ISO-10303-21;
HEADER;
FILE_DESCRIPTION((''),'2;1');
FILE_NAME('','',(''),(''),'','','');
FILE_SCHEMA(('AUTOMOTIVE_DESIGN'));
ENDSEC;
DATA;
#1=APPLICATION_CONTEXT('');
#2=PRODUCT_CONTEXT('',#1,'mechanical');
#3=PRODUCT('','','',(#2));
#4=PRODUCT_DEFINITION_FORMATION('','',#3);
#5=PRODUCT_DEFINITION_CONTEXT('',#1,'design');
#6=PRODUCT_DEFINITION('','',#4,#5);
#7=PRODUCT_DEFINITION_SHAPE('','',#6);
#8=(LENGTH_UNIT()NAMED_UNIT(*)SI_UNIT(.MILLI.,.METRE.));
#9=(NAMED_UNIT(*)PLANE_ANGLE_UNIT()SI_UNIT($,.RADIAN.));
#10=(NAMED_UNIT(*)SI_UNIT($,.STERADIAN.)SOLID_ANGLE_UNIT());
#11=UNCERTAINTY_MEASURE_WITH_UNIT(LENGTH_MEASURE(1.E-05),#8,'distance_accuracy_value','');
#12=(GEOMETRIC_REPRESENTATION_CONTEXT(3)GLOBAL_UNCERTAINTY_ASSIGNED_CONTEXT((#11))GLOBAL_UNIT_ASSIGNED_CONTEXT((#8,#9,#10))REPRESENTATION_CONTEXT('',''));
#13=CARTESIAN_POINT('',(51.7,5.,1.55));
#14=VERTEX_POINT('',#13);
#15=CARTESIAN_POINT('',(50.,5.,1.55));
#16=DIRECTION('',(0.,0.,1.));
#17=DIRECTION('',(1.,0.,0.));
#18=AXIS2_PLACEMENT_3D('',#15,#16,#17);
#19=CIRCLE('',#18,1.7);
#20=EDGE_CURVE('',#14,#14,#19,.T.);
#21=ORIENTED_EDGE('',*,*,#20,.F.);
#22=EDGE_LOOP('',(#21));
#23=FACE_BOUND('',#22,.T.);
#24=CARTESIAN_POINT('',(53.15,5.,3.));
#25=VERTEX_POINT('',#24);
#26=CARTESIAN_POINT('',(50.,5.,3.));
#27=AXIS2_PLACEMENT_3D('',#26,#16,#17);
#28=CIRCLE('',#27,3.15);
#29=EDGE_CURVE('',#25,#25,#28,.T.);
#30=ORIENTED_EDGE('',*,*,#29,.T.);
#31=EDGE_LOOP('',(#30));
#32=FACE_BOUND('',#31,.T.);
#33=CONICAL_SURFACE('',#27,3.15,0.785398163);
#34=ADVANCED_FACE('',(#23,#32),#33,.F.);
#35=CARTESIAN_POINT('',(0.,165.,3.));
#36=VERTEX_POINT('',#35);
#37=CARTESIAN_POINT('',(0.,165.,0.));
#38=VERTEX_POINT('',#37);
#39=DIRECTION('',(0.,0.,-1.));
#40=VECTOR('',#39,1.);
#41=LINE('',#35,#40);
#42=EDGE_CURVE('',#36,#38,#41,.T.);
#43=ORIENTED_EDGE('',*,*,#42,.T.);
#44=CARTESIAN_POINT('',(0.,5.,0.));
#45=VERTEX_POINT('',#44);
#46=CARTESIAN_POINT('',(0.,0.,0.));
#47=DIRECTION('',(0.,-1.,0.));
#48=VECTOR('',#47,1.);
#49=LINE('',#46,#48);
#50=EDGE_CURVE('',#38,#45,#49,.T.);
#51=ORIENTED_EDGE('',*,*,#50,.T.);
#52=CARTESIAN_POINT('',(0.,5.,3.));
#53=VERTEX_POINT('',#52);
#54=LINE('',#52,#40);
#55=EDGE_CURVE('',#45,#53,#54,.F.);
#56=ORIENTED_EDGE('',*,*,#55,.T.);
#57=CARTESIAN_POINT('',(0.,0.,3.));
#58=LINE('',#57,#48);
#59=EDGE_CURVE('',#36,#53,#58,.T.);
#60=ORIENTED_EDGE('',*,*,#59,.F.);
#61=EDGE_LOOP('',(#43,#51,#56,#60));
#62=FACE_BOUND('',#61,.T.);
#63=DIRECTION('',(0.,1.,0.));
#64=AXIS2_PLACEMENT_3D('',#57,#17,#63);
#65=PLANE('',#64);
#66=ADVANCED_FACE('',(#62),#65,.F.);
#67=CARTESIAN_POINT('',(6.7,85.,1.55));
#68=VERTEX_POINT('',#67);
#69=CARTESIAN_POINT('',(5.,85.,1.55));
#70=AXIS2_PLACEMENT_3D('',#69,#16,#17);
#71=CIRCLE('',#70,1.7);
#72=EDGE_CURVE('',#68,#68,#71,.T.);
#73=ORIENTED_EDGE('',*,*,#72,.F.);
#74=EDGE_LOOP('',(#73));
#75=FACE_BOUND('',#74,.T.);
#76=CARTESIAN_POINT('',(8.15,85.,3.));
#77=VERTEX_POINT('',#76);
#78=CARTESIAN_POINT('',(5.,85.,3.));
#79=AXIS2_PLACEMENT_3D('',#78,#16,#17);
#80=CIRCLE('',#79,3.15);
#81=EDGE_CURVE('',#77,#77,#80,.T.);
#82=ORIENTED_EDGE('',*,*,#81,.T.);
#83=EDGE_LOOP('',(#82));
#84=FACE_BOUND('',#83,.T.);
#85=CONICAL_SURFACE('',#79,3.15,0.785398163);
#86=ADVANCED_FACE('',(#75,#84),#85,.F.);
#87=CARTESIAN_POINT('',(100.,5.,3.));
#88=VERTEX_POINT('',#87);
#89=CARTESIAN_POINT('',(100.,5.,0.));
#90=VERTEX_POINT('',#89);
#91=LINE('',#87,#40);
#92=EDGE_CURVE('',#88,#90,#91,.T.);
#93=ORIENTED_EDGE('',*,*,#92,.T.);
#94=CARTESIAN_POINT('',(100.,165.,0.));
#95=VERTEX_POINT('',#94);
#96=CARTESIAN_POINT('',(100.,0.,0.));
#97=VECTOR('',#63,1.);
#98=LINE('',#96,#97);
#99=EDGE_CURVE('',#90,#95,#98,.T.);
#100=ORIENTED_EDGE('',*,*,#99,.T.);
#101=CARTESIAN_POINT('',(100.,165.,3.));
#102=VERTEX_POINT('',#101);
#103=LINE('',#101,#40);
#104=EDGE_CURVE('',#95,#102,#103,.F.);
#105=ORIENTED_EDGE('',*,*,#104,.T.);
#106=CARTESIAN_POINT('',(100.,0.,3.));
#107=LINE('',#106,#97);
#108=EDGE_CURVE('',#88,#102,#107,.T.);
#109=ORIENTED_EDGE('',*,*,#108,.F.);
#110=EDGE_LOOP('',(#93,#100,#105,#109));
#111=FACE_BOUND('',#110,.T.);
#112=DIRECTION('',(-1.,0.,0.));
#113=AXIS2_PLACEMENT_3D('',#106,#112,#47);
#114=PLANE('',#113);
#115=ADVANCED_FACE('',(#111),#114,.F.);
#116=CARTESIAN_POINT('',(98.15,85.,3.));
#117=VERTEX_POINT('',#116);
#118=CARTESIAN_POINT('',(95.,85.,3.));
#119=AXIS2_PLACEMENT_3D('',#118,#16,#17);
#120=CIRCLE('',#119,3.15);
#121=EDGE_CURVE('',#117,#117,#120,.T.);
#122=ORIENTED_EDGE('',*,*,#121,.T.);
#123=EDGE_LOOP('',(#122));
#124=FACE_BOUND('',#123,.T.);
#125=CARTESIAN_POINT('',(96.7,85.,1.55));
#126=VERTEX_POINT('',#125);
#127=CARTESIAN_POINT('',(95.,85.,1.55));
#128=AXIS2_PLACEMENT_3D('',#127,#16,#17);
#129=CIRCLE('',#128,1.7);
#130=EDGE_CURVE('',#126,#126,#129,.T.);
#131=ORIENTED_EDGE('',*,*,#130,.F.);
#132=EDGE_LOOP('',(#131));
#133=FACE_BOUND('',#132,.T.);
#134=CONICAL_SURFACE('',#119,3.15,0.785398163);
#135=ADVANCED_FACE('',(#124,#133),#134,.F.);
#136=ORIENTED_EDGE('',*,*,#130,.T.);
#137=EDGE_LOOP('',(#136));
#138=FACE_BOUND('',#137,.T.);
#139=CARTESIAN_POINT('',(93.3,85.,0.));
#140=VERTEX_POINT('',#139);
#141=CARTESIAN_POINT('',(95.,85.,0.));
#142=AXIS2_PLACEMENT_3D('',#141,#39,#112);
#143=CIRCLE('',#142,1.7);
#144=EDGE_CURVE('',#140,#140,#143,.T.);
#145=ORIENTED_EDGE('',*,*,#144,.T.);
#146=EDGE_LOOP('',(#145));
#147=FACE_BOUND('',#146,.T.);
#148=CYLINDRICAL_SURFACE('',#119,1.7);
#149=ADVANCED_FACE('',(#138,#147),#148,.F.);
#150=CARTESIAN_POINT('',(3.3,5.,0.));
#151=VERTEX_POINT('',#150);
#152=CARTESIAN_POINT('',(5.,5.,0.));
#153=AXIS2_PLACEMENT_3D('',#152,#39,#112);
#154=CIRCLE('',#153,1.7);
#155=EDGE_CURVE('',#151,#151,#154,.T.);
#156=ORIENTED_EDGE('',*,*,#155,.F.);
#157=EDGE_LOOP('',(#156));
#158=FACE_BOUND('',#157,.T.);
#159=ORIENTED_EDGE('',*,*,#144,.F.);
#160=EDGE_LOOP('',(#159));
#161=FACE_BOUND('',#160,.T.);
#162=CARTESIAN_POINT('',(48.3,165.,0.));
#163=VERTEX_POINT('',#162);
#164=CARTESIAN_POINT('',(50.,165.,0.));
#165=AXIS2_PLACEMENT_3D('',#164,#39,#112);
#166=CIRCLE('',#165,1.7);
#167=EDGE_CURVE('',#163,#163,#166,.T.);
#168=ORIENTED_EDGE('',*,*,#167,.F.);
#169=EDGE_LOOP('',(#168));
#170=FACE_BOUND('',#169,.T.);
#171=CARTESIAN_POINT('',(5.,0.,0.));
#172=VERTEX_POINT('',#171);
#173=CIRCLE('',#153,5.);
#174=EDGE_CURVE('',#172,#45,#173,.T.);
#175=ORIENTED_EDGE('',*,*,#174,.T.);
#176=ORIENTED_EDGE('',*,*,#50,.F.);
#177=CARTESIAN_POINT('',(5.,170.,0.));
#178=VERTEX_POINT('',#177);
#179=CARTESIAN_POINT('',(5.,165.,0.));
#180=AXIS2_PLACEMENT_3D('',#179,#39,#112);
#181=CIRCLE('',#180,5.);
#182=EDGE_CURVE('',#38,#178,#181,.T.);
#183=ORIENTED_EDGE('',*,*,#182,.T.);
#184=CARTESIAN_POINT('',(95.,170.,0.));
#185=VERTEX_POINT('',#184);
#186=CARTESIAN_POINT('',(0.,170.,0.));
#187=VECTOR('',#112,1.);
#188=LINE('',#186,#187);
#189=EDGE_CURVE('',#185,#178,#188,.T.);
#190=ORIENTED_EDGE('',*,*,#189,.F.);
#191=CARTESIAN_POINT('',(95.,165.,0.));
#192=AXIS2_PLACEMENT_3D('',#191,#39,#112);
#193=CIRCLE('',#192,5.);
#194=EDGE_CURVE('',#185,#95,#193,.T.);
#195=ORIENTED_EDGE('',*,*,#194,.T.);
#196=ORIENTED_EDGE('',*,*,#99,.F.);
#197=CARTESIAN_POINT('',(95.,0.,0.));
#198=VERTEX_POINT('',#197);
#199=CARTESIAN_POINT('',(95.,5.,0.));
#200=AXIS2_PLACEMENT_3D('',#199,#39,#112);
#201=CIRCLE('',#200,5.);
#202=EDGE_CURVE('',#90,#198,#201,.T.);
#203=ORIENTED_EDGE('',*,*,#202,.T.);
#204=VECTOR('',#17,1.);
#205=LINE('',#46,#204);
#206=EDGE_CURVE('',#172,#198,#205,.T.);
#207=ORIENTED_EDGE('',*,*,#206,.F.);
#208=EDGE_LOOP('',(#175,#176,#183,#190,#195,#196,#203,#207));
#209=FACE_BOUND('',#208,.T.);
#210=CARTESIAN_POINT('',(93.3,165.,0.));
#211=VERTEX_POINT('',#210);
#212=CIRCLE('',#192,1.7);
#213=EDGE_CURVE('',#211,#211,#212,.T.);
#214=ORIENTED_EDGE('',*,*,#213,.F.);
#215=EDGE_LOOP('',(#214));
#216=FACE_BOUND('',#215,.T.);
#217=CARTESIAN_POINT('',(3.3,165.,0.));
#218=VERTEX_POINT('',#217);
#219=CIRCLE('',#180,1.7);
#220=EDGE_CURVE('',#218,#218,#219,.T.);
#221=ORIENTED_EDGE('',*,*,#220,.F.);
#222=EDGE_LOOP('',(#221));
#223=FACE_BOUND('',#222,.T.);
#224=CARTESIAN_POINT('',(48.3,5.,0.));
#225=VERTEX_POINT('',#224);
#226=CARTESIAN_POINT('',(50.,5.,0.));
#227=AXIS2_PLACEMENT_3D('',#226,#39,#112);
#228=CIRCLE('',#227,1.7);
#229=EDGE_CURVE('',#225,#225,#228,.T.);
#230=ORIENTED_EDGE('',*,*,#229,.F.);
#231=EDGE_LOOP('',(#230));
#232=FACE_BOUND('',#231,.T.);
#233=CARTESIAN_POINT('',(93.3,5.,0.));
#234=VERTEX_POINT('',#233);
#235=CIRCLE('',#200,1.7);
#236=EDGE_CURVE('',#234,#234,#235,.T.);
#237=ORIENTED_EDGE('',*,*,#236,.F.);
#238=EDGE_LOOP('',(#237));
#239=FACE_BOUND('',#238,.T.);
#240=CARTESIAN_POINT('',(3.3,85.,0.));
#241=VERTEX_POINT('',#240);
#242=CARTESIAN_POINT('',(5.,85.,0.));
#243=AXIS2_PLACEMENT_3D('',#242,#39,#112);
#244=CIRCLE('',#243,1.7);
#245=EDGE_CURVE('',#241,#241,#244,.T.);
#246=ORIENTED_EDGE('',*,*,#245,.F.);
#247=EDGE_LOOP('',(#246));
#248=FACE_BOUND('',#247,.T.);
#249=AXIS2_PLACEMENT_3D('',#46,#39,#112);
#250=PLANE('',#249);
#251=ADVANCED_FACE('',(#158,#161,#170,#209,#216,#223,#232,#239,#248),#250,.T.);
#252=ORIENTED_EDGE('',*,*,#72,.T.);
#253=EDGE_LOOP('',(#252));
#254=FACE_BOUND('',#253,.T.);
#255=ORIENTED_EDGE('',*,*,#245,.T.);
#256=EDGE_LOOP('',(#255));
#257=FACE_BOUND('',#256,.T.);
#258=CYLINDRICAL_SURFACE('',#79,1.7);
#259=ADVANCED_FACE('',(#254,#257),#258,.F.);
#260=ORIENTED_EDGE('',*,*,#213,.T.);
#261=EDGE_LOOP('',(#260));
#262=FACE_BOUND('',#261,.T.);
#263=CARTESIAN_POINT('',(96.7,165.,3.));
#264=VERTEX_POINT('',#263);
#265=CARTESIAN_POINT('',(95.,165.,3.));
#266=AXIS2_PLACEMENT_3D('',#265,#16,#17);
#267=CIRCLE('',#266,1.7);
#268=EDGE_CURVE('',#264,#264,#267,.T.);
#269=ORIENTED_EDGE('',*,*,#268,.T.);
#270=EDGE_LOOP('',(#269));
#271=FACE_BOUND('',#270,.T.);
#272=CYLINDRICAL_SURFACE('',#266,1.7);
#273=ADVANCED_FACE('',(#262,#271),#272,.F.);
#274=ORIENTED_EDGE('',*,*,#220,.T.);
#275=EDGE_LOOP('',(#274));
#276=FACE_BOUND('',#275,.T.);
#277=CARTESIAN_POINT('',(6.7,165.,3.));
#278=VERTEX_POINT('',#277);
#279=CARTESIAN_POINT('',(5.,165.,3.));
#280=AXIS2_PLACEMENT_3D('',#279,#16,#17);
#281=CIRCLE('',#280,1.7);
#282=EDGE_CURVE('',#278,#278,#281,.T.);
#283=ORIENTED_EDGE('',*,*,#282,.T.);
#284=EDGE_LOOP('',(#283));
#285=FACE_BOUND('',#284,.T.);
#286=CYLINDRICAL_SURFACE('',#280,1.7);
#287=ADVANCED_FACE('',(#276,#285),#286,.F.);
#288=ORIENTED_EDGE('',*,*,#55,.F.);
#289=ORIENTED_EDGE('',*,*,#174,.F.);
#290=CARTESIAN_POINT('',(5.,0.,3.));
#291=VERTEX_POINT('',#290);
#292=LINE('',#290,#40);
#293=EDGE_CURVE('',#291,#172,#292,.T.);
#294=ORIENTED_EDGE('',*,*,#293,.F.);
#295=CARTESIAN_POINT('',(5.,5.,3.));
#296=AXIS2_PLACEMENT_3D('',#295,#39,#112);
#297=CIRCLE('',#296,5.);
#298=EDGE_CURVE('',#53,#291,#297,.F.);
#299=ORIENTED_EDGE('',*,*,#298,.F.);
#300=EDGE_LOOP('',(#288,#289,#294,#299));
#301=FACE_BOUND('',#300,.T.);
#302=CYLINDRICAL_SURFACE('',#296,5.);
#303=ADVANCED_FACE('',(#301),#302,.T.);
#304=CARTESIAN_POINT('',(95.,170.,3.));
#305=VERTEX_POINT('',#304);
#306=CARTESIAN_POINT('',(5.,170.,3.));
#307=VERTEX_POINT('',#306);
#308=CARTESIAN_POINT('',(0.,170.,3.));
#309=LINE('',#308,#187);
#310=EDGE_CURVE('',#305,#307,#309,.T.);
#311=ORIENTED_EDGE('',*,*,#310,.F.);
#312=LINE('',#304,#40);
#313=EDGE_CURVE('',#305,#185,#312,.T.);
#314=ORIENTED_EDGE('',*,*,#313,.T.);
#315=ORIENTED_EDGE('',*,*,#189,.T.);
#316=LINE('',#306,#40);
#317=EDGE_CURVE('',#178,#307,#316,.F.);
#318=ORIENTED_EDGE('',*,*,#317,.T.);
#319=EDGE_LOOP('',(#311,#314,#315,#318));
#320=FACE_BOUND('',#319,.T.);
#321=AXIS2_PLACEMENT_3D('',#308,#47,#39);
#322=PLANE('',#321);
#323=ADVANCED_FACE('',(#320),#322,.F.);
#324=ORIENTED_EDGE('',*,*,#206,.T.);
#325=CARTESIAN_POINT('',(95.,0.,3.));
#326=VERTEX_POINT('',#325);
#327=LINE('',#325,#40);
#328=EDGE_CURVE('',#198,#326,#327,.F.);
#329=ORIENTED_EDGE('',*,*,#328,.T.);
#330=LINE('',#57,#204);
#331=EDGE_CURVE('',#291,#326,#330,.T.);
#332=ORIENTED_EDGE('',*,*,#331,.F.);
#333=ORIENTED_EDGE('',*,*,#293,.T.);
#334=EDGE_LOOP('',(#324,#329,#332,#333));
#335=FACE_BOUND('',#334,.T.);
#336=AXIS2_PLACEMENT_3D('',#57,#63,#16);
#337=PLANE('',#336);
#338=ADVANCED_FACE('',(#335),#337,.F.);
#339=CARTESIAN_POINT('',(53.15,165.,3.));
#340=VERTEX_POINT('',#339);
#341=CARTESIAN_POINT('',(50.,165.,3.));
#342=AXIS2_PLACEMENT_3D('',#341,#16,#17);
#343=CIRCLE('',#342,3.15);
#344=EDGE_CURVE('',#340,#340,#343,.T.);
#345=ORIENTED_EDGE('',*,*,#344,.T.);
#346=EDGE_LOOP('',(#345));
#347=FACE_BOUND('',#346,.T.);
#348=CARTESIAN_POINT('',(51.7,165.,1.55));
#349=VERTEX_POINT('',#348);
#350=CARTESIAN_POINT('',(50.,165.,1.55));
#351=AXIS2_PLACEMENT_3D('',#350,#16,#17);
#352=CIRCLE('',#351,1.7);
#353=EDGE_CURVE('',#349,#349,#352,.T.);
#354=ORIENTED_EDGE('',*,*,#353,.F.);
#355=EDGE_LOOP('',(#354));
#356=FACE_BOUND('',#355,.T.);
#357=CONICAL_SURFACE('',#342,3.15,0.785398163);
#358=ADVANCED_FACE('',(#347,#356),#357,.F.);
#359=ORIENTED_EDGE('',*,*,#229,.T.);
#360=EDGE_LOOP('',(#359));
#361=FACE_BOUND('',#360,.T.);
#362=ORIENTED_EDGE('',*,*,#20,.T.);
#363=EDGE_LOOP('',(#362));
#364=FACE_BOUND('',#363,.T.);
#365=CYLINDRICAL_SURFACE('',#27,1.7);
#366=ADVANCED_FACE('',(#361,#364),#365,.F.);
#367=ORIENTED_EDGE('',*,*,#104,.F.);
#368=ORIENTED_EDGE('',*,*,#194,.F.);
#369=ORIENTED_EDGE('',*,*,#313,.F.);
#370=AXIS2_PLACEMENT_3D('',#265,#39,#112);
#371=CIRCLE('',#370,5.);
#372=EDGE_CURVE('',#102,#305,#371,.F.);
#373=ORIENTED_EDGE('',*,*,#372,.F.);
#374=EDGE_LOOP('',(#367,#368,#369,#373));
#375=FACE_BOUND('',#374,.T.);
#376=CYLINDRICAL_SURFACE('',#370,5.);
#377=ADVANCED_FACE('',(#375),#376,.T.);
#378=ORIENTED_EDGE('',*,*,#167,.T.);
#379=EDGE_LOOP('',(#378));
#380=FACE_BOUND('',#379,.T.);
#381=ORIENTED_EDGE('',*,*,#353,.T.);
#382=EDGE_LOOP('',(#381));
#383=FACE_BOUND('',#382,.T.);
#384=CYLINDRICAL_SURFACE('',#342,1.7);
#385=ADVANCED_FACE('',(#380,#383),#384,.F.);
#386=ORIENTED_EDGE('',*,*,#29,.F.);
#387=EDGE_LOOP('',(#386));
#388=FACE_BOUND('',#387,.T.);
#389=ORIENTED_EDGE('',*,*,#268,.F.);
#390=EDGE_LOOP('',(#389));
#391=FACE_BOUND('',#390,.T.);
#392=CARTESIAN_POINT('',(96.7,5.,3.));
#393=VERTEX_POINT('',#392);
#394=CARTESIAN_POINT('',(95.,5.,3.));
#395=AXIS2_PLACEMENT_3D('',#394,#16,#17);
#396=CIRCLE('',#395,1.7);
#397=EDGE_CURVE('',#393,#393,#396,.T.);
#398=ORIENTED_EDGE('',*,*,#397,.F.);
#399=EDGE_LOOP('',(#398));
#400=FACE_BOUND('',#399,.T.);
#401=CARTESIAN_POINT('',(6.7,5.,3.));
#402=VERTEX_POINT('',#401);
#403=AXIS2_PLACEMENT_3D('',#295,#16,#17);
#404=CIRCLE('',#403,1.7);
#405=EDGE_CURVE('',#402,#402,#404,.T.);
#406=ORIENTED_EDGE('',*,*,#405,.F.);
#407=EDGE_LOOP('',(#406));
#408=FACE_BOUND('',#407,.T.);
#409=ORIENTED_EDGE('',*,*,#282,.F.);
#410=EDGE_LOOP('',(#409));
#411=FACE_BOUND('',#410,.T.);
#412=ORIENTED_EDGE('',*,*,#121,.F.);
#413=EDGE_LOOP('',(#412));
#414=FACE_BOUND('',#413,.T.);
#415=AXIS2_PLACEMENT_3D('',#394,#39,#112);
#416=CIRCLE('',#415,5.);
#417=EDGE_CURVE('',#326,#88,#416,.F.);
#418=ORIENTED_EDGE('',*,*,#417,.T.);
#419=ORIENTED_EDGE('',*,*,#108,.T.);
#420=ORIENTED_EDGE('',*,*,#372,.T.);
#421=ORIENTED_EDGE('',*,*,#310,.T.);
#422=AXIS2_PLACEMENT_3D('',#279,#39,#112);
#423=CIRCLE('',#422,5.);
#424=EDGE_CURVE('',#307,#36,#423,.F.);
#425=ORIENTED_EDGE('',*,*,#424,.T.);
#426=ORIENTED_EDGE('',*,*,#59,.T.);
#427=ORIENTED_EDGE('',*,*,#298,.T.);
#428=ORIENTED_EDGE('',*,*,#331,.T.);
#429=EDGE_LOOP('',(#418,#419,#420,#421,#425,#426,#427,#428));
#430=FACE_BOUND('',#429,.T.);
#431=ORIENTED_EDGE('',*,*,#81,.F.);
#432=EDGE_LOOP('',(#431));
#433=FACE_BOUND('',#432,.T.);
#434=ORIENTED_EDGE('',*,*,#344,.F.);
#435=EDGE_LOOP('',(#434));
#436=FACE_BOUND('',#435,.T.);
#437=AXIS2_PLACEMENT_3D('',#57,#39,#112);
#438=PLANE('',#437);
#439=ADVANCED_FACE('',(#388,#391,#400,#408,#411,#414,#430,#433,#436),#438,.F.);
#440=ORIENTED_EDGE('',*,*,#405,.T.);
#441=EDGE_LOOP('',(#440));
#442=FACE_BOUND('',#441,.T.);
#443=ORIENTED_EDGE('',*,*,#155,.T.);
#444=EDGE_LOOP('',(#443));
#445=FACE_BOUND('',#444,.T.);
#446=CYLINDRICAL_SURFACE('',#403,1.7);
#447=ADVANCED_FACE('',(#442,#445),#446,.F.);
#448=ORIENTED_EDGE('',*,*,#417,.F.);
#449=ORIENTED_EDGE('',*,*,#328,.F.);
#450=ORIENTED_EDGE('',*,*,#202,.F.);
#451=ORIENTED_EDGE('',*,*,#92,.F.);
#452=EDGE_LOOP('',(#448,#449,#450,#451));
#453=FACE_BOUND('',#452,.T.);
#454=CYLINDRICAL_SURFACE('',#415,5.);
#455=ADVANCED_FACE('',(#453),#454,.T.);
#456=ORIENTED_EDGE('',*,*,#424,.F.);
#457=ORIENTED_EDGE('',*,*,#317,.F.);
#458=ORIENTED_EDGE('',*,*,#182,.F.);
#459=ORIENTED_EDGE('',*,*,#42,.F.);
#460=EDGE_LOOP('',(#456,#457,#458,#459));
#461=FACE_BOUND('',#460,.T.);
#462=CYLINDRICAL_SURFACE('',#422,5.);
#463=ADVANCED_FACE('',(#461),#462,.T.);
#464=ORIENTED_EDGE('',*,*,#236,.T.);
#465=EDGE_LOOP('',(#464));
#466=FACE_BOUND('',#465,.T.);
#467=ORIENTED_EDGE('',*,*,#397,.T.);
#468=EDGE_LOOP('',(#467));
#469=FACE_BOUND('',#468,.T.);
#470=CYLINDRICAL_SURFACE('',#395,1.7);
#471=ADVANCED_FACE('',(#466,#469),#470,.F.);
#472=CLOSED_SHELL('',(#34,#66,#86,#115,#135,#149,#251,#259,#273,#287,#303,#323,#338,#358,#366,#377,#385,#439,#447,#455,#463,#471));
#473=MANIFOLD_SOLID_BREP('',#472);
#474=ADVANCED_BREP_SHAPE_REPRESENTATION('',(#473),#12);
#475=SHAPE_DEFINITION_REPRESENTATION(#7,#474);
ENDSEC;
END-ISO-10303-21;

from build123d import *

# Parameters (mm, degrees)
SKETCH1_W                                       = 100
SKETCH1_H                                       = 170
BOSS_EXTRUDE1_DEPTH                             = 3
M3_CLEARANCE_HOLE1_D                            = 3.4
M3_CLEARANCE_HOLE1_DEPTH                        = 7.5
M3_CLEARANCE_HOLE1_TIP                          = 1.021463052
FILLET1_R                                       = 5
CSK_FOR_M3_FLAT_HEAD_MACHINE_SCREW1_D           = 3.4
CSK_FOR_M3_FLAT_HEAD_MACHINE_SCREW1_DEPTH       = 7.5
CSK_FOR_M3_FLAT_HEAD_MACHINE_SCREW1_CSINK_D     = 6.3
CSK_FOR_M3_FLAT_HEAD_MACHINE_SCREW1_CSINK_ANGLE = 90
CSK_FOR_M3_FLAT_HEAD_MACHINE_SCREW1_TIP         = 1.021463052


with BuildPart() as part:
    # Sketch1 → Boss-Extrude1 (new body)
    with BuildSketch(Plane.XY):
        with Locations((50, 85)):
            Rectangle(SKETCH1_W, SKETCH1_H)
    extrude(amount=BOSS_EXTRUDE1_DEPTH)

    # M3 Clearance Hole1
    with Locations(Plane.XY.offset(3)):
        with Locations((5, 165), (95, 165), (95, 5), (5, 5)):
            Hole(M3_CLEARANCE_HOLE1_D / 2, depth=M3_CLEARANCE_HOLE1_DEPTH)
            with Locations((0, 0, -(M3_CLEARANCE_HOLE1_DEPTH + M3_CLEARANCE_HOLE1_TIP / 2))):  # 118° drill point
                Cone(0, M3_CLEARANCE_HOLE1_D / 2, M3_CLEARANCE_HOLE1_TIP, mode=Mode.SUBTRACT)

    # Fillet1
    fillet1_edges = [part.edges().sort_by_distance(p)[0] for p in [
        (0, 170, 1.5),
        (100, 170, 1.5),
        (100, 0, 1.5),
        (0, 0, 1.5),
    ]]
    fillet(fillet1_edges, radius=FILLET1_R)

    # CSK for M3 Flat Head Machine Screw1
    with Locations(Plane.XY.offset(3)):
        with Locations((50, 165), (50, 5), (95, 85), (5, 85)):
            CounterSinkHole(CSK_FOR_M3_FLAT_HEAD_MACHINE_SCREW1_D / 2, CSK_FOR_M3_FLAT_HEAD_MACHINE_SCREW1_CSINK_D / 2, depth=CSK_FOR_M3_FLAT_HEAD_MACHINE_SCREW1_DEPTH, counter_sink_angle=CSK_FOR_M3_FLAT_HEAD_MACHINE_SCREW1_CSINK_ANGLE)
            with Locations((0, 0, -(CSK_FOR_M3_FLAT_HEAD_MACHINE_SCREW1_DEPTH + CSK_FOR_M3_FLAT_HEAD_MACHINE_SCREW1_TIP / 2))):  # 118° drill point
                Cone(0, CSK_FOR_M3_FLAT_HEAD_MACHINE_SCREW1_D / 2, CSK_FOR_M3_FLAT_HEAD_MACHINE_SCREW1_TIP, mode=Mode.SUBTRACT)


solid = part.part
